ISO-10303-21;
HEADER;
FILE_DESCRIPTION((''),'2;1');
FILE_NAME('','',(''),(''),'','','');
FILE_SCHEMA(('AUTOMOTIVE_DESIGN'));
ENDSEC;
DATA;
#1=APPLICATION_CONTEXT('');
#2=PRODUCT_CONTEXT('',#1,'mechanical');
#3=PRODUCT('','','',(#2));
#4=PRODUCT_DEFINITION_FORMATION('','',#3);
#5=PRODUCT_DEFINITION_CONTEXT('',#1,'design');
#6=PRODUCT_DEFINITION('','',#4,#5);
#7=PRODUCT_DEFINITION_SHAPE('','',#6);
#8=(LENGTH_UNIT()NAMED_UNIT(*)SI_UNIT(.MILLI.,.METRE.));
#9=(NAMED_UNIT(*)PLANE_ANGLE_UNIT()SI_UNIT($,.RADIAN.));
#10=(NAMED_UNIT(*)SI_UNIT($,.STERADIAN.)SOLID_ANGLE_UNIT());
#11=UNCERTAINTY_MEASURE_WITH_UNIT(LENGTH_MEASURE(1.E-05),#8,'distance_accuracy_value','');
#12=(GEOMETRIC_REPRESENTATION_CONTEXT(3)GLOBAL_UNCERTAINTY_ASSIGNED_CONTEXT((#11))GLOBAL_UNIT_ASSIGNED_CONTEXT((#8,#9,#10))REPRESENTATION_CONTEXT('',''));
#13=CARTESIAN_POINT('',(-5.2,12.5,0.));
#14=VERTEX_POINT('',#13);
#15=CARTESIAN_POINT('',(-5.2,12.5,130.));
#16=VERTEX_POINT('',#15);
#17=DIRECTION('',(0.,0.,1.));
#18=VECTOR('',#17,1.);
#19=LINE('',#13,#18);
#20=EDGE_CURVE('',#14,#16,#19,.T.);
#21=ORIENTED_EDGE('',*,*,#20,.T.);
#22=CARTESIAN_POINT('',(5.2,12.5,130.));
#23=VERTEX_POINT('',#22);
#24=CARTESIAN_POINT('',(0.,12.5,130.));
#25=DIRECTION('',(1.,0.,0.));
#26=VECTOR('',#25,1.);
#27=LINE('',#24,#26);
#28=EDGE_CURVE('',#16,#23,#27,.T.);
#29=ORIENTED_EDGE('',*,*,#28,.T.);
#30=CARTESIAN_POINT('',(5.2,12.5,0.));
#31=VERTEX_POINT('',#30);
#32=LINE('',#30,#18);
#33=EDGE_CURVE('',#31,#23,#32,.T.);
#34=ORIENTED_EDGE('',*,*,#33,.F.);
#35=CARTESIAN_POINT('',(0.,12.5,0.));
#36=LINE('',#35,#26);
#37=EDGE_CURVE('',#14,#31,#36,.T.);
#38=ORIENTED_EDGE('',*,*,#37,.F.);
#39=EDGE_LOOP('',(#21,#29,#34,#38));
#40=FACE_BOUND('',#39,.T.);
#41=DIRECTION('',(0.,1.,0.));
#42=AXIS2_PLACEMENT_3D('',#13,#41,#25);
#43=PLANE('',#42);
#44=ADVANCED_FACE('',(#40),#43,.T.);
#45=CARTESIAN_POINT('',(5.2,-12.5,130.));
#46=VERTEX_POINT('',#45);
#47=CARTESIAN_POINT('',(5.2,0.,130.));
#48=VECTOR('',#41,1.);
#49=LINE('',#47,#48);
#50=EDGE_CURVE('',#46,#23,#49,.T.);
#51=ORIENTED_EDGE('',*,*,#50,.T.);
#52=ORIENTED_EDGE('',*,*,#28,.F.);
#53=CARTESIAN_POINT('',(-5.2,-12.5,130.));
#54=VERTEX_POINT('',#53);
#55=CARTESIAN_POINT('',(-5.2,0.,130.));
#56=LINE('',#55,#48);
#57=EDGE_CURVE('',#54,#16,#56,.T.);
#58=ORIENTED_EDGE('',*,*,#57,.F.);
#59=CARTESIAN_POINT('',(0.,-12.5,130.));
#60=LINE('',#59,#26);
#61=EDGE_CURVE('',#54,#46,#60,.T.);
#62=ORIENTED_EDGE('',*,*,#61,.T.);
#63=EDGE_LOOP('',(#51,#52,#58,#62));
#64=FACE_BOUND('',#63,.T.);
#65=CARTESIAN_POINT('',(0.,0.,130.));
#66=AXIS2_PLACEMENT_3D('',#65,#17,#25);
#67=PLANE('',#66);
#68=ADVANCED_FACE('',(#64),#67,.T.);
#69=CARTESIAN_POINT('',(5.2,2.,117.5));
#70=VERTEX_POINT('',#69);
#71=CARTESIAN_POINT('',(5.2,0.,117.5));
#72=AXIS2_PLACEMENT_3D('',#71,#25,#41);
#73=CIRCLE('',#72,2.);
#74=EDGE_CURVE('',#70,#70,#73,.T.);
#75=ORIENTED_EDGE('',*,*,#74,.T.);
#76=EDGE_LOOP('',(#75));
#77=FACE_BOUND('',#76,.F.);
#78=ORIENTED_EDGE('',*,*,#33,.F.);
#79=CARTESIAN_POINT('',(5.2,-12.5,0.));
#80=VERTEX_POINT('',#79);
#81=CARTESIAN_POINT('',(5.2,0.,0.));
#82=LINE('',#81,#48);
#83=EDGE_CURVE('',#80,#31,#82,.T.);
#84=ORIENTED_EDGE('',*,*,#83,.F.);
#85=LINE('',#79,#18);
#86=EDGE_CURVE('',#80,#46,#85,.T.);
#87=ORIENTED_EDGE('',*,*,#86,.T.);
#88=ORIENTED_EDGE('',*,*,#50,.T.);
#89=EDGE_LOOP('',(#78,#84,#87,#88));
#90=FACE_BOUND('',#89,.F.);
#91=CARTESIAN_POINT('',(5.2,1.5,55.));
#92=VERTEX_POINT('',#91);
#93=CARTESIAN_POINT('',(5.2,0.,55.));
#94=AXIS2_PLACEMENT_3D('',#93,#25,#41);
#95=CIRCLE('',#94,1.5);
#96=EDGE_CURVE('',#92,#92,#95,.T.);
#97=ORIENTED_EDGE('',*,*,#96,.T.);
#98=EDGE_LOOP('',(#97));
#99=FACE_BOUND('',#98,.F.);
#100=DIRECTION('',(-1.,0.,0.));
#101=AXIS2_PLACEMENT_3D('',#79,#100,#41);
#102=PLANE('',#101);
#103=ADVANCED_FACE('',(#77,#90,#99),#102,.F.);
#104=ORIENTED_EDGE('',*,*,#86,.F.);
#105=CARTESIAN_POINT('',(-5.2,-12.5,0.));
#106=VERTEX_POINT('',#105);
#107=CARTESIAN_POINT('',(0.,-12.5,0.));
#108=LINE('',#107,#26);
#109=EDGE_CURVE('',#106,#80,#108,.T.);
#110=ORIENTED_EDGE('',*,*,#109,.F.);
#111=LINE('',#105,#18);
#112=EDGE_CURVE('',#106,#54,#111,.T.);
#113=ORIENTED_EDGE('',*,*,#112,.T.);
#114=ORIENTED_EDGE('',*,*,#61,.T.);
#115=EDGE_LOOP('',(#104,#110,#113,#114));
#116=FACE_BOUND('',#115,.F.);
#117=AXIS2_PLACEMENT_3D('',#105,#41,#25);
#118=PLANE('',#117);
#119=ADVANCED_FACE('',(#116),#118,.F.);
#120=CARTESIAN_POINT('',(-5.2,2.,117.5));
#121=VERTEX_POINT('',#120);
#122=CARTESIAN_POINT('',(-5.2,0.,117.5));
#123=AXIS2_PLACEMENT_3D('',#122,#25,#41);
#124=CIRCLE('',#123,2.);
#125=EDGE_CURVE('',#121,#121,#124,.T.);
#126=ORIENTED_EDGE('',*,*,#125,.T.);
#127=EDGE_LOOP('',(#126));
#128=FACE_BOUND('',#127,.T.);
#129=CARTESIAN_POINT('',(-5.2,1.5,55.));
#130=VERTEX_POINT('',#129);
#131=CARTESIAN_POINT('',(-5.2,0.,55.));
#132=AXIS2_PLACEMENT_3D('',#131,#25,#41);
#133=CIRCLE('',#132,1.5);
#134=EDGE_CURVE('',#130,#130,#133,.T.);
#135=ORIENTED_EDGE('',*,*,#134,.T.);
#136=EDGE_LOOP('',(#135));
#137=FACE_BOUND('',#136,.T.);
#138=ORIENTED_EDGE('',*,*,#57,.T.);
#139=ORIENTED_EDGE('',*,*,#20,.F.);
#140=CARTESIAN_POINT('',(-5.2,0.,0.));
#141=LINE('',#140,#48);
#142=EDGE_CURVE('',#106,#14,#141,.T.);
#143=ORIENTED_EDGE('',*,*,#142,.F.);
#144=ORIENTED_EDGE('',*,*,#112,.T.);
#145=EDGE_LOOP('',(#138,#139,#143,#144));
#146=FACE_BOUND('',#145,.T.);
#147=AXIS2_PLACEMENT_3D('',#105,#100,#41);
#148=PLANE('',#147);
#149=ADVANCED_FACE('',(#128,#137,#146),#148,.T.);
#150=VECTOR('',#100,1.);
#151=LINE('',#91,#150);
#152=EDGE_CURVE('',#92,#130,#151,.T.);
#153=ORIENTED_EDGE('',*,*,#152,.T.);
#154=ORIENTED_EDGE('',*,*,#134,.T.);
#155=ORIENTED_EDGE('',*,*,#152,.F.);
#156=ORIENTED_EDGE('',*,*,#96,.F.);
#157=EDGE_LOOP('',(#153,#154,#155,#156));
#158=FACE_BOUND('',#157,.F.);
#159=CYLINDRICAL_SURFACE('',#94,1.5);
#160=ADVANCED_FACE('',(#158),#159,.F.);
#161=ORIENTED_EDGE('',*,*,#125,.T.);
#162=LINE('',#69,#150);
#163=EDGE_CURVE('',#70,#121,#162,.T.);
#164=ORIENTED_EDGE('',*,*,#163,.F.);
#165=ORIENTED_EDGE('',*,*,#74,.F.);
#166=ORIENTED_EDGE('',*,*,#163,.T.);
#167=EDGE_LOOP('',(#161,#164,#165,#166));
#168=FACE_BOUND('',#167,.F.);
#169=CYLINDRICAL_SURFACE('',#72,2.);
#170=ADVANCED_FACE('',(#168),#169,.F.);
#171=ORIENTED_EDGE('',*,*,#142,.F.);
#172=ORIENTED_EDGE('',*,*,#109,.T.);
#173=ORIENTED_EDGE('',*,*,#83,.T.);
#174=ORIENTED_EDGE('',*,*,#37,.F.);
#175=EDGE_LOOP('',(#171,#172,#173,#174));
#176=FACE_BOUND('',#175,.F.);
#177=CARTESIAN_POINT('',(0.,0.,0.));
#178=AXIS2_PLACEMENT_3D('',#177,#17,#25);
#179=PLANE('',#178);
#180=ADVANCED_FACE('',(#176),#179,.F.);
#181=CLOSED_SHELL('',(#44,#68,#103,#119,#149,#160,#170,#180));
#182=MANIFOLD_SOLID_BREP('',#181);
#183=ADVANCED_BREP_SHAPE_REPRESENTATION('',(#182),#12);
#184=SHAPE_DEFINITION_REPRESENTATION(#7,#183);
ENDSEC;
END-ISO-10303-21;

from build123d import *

# Parameters (mm, degrees)
SKETCH_W        = 10.4
SKETCH_H        = 25
PAD_DEPTH       = 130
SKETCH001_R     = 1.5
POCKET_DEPTH    = 100
SKETCH002_R     = 2
POCKET001_DEPTH = 100


with BuildPart() as part:
    # Sketch → Pad (new body)
    with BuildSketch(Plane.XY):
        Rectangle(SKETCH_W, SKETCH_H)
    extrude(amount=PAD_DEPTH)

    # Sketch001 (on Face2 of Pad) → Pocket (cut)
    with BuildSketch(Plane.YZ.offset(5.2)):
        with Locations((0, 55)):
            Circle(SKETCH001_R)
    extrude(amount=-POCKET_DEPTH, mode=Mode.SUBTRACT)

    # Sketch002 (on Face3 of Pocket) → Pocket001 (cut)
    with BuildSketch(Plane.YZ.offset(5.2)):
        with Locations((0, 117.5)):
            Circle(SKETCH002_R)
    extrude(amount=-POCKET001_DEPTH, mode=Mode.SUBTRACT)


solid = part.part
